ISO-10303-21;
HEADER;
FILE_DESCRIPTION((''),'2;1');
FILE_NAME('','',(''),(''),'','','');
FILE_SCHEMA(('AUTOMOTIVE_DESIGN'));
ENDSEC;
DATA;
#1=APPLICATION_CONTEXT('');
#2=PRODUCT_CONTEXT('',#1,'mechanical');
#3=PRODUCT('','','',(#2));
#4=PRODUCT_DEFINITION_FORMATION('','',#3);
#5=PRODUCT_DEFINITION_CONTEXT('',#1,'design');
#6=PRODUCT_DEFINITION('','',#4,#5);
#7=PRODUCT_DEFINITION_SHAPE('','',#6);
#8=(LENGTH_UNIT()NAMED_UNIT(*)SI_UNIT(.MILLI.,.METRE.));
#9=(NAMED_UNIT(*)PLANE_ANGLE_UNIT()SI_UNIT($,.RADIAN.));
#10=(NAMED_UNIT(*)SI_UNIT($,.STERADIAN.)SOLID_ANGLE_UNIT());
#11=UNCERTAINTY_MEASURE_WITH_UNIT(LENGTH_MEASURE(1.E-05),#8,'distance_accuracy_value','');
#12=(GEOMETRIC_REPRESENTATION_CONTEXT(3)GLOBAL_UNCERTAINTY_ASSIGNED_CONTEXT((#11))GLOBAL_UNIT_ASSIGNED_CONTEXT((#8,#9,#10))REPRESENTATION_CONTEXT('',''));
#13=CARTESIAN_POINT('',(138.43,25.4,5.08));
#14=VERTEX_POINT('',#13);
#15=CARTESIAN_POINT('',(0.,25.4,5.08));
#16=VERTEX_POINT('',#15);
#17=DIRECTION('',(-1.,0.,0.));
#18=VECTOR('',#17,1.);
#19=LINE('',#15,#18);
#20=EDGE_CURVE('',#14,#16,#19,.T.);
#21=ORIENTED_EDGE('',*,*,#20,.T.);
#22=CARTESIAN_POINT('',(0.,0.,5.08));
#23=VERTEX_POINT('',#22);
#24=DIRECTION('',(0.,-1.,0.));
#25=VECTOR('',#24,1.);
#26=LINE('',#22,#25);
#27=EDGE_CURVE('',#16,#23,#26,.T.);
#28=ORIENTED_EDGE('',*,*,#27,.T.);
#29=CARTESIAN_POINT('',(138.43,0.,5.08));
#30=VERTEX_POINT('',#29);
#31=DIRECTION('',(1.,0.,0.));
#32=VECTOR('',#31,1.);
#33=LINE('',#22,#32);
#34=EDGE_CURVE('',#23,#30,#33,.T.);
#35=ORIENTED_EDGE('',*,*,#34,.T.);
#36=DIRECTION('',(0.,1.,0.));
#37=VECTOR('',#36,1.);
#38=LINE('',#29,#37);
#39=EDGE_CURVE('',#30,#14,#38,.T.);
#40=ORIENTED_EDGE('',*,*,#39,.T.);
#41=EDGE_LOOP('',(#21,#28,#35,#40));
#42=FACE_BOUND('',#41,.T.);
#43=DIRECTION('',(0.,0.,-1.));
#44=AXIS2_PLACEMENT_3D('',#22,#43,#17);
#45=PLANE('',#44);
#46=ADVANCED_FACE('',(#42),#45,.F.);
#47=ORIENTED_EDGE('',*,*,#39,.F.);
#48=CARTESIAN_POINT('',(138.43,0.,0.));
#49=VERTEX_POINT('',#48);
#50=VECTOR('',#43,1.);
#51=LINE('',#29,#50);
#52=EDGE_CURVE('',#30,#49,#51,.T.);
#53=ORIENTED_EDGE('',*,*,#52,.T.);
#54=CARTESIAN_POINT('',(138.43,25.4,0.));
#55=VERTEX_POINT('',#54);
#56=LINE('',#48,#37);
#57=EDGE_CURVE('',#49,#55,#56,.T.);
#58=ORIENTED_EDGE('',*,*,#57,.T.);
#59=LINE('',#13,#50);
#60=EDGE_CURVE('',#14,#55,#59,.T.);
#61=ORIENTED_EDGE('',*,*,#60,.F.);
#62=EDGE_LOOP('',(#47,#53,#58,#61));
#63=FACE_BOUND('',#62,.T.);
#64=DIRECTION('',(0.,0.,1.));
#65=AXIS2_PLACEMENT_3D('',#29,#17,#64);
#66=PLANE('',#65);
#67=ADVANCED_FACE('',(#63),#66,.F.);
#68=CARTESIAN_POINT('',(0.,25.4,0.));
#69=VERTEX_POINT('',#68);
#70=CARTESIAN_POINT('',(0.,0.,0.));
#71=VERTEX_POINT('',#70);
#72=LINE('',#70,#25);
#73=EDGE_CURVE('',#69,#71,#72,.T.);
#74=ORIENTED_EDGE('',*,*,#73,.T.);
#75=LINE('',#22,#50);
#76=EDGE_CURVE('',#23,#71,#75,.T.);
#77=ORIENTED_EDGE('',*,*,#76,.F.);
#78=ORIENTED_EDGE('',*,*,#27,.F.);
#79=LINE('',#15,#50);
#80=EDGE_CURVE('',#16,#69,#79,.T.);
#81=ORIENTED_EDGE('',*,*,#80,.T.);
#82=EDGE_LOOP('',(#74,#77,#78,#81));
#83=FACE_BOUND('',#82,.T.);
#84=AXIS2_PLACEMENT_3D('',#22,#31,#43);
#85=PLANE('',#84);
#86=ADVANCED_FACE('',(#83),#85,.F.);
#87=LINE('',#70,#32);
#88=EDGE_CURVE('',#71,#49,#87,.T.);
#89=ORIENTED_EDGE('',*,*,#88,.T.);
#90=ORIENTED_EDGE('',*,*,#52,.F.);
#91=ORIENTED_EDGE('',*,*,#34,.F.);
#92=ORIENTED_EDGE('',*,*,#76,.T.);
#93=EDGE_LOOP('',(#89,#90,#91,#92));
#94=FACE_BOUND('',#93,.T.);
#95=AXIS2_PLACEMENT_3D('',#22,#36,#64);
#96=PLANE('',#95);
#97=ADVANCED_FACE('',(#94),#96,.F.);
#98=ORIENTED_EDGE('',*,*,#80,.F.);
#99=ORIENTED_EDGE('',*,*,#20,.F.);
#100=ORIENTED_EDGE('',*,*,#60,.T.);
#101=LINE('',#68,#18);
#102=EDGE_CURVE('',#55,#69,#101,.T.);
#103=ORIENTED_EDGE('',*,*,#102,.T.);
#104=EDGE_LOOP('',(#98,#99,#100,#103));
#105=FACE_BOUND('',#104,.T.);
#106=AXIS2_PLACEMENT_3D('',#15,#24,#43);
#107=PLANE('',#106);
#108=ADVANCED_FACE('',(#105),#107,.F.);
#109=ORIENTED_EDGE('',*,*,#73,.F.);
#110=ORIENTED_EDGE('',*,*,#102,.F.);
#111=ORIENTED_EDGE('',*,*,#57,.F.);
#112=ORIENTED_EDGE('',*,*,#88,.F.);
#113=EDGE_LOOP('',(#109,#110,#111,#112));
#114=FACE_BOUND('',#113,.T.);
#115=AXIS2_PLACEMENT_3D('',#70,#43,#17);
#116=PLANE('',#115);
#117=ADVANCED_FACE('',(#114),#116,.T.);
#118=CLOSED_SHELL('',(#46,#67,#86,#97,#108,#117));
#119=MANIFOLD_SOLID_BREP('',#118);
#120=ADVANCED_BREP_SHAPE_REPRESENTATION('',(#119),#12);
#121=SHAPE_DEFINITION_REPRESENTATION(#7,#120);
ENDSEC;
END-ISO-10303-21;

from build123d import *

# Parameters (mm, degrees)
SKETCH1_W           = 138.43
SKETCH1_H           = 25.4
BOSS_EXTRUDE1_DEPTH = 5.08


with BuildPart() as part:
    # Sketch1 → Boss-Extrude1 (new body)
    with BuildSketch(Plane.XY):
        with Locations((69.215, 12.7)):
            Rectangle(SKETCH1_W, SKETCH1_H)
    extrude(amount=BOSS_EXTRUDE1_DEPTH)


solid = part.part
